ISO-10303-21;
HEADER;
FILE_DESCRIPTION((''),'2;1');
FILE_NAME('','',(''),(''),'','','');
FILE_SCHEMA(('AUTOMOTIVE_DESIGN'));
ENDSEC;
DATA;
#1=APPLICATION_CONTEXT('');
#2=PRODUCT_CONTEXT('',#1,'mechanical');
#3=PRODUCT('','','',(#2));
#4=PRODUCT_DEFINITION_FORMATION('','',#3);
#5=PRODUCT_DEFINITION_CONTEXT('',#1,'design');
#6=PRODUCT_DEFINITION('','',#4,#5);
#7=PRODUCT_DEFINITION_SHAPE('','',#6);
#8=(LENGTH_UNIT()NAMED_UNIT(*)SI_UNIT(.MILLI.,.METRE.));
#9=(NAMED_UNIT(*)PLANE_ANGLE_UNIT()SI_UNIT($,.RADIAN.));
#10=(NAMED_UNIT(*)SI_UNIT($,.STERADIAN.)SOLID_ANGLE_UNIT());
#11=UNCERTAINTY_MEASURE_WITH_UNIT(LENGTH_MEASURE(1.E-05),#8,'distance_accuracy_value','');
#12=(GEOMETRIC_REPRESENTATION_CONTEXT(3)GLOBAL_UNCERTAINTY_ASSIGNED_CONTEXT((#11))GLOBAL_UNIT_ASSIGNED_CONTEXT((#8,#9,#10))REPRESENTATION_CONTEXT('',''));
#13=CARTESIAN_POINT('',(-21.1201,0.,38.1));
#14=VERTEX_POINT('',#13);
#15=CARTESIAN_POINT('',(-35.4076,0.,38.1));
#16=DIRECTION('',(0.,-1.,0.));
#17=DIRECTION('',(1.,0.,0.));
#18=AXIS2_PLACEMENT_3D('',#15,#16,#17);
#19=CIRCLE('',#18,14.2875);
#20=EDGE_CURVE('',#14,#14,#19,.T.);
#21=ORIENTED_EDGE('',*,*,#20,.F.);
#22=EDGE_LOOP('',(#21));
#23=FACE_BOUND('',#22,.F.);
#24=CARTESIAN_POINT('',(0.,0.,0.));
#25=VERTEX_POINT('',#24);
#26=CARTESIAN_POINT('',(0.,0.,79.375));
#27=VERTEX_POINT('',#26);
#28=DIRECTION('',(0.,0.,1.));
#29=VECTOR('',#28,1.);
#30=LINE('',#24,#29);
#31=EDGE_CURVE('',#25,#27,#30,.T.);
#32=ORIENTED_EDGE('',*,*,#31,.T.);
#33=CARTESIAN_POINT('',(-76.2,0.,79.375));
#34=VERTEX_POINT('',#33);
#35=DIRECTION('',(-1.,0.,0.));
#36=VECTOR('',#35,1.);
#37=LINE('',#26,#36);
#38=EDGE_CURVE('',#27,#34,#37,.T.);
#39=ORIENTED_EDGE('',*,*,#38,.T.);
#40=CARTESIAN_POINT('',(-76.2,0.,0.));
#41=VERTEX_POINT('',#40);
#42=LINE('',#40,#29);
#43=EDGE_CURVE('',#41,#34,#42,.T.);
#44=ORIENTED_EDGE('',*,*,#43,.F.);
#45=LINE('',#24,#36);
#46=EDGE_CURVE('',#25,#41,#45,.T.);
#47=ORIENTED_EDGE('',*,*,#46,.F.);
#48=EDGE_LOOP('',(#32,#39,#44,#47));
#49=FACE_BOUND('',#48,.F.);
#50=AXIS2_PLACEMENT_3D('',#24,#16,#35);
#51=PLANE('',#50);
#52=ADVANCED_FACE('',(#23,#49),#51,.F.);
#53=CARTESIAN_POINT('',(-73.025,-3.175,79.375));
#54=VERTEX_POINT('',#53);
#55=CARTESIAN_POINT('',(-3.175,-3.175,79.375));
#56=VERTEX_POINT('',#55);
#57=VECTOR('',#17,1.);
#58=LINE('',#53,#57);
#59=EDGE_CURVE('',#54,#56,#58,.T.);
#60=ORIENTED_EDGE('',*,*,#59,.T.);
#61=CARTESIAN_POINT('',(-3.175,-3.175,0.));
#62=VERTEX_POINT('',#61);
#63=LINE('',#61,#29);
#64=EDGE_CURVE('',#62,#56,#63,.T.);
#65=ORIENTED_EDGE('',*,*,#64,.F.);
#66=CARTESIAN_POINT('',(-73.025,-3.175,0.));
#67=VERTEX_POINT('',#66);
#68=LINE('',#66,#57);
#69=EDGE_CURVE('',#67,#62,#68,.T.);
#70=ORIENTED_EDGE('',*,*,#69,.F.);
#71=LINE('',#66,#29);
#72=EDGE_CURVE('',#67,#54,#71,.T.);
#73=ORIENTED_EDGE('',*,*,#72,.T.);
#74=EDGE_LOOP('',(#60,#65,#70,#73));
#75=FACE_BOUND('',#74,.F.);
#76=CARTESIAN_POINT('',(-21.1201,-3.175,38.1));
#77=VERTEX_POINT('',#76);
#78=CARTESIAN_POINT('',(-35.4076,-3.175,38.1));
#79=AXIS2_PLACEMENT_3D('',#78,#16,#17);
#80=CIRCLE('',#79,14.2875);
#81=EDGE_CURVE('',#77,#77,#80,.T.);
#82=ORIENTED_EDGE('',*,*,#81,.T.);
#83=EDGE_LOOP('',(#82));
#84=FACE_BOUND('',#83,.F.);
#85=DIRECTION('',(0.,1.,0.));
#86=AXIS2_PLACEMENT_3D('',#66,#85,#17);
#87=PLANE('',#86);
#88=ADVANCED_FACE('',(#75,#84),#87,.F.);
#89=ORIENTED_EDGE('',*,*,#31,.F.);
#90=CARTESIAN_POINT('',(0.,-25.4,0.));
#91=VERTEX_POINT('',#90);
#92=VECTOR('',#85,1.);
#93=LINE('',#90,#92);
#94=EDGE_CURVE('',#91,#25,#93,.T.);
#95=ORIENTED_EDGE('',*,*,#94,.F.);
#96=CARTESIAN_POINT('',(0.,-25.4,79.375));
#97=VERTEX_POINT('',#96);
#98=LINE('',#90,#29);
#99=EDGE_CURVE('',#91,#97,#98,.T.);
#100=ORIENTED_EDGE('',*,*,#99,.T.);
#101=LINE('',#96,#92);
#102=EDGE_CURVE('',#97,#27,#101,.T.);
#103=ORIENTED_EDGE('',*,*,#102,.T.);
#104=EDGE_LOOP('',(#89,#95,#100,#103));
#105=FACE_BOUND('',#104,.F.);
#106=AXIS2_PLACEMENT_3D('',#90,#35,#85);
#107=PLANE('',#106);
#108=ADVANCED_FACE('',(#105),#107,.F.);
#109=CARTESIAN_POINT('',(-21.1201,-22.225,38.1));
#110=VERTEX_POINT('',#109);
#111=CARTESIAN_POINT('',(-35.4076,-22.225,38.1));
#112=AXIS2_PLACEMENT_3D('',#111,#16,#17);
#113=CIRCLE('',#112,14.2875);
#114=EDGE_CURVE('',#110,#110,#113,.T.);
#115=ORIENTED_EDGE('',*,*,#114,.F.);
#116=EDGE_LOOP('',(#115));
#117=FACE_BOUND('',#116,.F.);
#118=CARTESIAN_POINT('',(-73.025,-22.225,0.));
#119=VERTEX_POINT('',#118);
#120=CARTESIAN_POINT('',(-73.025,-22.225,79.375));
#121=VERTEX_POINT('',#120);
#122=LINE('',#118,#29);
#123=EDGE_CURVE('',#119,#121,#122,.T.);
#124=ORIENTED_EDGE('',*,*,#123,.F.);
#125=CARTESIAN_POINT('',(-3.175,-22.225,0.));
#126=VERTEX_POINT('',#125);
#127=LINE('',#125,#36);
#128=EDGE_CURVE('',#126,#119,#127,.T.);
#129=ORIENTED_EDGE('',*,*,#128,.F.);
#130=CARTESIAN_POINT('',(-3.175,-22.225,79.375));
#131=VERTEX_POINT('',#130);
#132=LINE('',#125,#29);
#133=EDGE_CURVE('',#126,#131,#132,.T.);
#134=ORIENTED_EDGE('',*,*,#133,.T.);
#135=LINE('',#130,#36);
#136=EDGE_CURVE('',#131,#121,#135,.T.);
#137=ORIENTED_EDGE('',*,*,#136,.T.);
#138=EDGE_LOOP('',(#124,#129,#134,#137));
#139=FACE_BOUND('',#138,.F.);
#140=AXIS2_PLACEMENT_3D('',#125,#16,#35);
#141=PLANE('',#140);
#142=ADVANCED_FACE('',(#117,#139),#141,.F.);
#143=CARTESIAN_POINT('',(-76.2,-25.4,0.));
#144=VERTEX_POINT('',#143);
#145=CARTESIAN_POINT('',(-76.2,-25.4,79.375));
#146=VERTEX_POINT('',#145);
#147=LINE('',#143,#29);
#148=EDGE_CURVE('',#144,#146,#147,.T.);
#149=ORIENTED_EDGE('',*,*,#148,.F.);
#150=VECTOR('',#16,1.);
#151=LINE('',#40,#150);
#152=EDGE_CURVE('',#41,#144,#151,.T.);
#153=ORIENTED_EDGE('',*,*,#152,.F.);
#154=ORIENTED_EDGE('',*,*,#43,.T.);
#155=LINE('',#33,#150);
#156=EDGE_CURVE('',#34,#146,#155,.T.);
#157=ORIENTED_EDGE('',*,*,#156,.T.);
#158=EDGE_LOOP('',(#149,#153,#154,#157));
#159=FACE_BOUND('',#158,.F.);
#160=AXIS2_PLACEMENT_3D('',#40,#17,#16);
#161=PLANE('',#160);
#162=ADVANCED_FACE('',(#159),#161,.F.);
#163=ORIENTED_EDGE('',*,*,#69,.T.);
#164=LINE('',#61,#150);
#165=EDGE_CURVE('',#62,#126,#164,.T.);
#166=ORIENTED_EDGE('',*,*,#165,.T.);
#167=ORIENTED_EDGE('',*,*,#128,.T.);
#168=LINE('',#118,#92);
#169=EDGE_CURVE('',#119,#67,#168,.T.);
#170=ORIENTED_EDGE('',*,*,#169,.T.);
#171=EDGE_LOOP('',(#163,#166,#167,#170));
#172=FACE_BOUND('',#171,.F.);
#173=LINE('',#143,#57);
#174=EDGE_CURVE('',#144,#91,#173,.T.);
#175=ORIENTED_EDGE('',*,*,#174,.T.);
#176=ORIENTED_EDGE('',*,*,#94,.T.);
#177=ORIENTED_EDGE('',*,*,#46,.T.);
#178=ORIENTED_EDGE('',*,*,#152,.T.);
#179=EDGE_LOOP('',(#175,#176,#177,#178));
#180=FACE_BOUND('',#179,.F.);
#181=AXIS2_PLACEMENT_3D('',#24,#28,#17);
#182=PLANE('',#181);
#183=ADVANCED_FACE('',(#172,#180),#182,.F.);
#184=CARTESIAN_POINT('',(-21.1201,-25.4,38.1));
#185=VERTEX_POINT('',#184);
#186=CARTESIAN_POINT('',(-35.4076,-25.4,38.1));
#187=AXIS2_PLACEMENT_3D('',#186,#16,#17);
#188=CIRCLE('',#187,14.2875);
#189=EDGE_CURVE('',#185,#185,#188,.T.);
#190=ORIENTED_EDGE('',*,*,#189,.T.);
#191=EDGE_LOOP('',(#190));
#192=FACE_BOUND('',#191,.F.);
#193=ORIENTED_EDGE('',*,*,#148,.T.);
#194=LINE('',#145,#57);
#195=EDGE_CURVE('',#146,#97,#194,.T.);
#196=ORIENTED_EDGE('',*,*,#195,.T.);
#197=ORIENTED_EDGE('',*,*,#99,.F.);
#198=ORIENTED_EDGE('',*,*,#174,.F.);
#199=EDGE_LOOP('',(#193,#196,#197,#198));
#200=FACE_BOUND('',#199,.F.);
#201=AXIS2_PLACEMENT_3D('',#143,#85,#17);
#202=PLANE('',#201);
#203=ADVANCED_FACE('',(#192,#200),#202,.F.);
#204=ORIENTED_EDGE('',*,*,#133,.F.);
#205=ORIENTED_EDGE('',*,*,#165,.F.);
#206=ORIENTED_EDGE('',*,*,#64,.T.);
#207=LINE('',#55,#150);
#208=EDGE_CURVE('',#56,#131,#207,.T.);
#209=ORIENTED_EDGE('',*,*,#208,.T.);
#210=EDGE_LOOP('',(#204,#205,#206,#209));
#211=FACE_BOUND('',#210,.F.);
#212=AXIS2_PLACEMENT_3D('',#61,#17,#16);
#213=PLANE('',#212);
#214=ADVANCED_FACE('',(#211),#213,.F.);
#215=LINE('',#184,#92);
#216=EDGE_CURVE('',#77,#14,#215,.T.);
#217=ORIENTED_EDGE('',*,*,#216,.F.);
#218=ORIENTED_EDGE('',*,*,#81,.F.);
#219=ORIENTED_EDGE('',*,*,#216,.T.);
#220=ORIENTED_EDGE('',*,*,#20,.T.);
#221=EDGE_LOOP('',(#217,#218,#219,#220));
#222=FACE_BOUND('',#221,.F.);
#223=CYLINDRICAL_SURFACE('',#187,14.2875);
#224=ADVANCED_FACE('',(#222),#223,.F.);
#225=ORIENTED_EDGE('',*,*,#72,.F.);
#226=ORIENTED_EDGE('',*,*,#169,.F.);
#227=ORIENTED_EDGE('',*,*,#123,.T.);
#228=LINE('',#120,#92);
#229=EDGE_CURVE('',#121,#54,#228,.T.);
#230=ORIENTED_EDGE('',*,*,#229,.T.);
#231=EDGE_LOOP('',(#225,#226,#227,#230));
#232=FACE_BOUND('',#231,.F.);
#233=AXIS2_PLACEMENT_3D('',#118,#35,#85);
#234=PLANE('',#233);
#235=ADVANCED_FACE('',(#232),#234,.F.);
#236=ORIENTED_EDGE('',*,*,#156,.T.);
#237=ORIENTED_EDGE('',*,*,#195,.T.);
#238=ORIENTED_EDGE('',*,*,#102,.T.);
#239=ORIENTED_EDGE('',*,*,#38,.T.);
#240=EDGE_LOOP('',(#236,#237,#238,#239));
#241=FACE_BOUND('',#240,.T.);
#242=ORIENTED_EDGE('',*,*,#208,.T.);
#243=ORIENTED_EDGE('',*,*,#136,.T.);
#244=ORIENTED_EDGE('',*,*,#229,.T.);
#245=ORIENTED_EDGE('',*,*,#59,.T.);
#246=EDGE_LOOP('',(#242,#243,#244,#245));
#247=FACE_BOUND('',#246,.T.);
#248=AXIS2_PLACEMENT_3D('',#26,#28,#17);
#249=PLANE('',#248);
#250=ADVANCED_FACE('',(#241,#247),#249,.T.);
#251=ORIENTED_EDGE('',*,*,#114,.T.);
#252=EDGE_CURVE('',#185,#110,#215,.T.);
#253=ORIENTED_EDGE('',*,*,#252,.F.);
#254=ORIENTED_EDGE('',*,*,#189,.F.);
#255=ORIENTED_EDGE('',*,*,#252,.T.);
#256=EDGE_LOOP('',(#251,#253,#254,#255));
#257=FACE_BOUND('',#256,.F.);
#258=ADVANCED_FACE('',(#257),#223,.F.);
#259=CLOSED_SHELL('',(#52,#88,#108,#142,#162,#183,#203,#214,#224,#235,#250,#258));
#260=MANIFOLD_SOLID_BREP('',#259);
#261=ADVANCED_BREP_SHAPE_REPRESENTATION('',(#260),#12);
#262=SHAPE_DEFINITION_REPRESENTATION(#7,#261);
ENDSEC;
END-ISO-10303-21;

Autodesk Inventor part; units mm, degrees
ref_plane "YZ Plane" through (0, 0, 0) normal (1, 0, 0) x (0, 1, 0)
ref_plane "XZ Plane" through (0, 0, 0) normal (0, 1, 0) x (-1, 0, 0)
ref_plane "XY Plane" through (0, 0, 0) normal (0, 0, 1) x (1, 0, 0)
sketch "Sketch1" plane through (0, 0, 0) normal (0, 0, 1) x (1, 0, 0)
  line L0 (0, 0) -> (-76.2, 0)
  line L1 (-76.2, 0) -> (-76.2, -25.4)
  line L2 (-76.2, -25.4) -> (0, -25.4)
  line L3 (0, -25.4) -> (0, 0)
  line L4 (-73.025, -22.225) -> (-73.025, -3.175)
  line L5 (-73.025, -3.175) -> (-3.175, -3.175)
  line L6 (-3.175, -3.175) -> (-3.175, -22.225)
  line L7 (-3.175, -22.225) -> (-73.025, -22.225)
  dimension "d0" = 76.2
  dimension "d1" = 25.4
  dimension "d2" = 3.175
extrude "Extrusion1" add sketch "Sketch1" along normal blind 79.375
sketch "Sketch2" plane through (-76.2, -25.4, 0) normal (0, -1, 0) x (1, 0, 0)
  circle A0 centre (40.7924, 38.1) radius 14.2875
  line L0 (0, 0) -> (76.2, 0) projected
  line L1 (76.2, 0) -> (76.2, 79.375) projected
  dimension "d5" = 28.575
  dimension "d6" = 38.1
  dimension "d7" = 35.4076
extrude "Extrusion2" cut sketch "Sketch2" against normal blind 25.4
properties part number "other end support"
